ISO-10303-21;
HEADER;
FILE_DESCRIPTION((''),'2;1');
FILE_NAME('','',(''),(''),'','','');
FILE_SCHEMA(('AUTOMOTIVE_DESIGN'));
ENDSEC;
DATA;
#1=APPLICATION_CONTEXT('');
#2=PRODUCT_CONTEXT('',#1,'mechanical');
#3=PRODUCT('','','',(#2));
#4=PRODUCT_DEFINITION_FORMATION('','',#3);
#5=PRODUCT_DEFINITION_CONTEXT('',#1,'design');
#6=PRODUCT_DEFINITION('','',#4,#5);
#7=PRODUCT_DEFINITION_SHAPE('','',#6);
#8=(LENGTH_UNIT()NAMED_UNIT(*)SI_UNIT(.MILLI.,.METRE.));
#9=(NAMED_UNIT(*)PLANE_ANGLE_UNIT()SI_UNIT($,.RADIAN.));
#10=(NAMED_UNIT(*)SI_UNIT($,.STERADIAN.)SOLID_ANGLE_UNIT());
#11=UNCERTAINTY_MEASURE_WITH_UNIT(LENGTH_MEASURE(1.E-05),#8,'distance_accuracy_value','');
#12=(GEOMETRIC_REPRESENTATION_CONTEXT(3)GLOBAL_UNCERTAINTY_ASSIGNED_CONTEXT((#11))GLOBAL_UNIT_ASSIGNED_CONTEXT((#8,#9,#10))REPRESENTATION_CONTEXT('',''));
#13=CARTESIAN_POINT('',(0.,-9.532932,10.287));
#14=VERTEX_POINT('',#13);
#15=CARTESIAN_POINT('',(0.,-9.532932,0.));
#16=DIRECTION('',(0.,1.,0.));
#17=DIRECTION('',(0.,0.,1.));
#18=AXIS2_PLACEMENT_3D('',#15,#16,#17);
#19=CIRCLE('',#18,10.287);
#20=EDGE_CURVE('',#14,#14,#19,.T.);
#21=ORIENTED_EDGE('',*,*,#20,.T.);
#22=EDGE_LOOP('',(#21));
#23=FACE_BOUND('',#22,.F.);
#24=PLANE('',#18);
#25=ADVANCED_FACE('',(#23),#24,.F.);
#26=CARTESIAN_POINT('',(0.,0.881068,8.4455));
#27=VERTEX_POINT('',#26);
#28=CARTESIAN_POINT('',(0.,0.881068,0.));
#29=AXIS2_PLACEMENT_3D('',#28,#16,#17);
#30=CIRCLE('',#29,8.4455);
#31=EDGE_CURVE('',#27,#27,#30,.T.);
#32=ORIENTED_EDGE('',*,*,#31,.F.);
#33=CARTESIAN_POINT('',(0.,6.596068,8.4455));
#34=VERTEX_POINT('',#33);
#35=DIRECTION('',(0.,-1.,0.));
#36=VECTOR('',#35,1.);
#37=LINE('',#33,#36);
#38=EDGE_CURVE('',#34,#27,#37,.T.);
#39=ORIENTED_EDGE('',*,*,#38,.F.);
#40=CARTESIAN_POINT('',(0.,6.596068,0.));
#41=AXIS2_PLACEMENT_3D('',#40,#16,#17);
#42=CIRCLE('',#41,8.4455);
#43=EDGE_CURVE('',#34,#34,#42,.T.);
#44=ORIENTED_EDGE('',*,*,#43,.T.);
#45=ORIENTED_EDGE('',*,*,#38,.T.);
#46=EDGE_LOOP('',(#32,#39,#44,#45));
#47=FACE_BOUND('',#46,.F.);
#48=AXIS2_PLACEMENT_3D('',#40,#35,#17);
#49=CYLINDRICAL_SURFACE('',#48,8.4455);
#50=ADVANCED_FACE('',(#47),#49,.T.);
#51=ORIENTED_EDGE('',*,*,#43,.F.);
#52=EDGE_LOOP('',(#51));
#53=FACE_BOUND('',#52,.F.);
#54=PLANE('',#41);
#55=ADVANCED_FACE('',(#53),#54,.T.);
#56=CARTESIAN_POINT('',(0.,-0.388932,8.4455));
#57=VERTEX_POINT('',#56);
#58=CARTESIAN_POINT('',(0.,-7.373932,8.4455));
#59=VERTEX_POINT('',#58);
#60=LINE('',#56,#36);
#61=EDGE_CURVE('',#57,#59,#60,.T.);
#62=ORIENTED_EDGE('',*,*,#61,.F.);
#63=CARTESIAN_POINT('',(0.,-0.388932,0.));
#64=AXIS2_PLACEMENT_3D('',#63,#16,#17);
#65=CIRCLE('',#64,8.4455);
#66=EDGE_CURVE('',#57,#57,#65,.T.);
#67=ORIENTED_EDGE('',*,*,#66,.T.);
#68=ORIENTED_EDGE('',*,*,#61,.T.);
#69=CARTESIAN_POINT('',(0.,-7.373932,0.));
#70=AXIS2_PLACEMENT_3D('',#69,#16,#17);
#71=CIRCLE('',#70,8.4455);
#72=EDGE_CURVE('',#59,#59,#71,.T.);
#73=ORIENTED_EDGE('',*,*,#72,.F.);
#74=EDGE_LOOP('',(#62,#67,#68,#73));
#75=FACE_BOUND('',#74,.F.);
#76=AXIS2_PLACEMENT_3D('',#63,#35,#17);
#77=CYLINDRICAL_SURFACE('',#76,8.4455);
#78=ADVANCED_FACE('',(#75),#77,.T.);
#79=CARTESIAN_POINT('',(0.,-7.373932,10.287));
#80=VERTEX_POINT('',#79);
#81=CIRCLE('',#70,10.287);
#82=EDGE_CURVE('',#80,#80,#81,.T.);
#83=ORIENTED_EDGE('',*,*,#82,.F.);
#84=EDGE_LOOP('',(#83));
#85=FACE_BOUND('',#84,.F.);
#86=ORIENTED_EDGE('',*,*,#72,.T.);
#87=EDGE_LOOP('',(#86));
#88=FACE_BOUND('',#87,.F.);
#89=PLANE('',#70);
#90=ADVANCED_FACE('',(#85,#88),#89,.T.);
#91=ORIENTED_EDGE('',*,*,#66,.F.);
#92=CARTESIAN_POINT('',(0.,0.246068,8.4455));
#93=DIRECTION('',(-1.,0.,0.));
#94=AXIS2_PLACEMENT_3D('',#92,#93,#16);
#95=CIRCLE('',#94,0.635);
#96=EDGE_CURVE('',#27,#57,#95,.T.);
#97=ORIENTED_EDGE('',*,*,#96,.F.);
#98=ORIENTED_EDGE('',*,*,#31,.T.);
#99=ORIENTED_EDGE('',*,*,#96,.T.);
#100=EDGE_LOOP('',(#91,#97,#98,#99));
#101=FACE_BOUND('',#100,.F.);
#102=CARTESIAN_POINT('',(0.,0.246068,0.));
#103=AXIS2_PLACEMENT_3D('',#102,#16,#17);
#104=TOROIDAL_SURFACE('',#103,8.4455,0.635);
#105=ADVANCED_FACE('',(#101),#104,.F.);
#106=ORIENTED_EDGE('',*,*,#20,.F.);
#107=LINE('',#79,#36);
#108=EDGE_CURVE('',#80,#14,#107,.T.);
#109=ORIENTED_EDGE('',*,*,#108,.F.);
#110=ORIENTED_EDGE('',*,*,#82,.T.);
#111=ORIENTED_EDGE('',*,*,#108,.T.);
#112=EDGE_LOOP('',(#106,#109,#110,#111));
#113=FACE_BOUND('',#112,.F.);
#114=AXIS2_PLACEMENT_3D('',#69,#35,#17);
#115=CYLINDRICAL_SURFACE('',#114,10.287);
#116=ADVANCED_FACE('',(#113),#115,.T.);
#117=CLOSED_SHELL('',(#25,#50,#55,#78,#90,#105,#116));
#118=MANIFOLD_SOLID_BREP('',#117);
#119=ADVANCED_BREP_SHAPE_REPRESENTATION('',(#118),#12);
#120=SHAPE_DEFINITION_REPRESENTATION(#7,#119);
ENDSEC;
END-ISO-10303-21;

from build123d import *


with BuildPart() as f1:
    # F0 (on Right) → F1 (revolve)
    with BuildSketch(Plane.YZ):
        with BuildLine():
            Line((-9.532932, 10.287), (-9.532932, 0))
            Line((-9.532932, 0), (-7.373932, 0))
            Line((-7.373932, 0), (6.596068, 0))
            Line((6.596068, 0), (6.596068, 8.4455))
            Line((6.596068, 8.4455), (3.657317, 8.4455))
            Line((3.657317, 8.4455), (0.881068, 8.4455))
            ThreePointArc((0.881068, 8.4455), (0.246068, 7.8105), (-0.388932, 8.4455))
            Line((-0.388932, 8.4455), (-3.165181, 8.4455))
            Line((-3.165181, 8.4455), (-7.373932, 8.4455))
            Line((-7.373932, 8.4455), (-7.373932, 10.287))
            Line((-7.373932, 10.287), (-9.532932, 10.287))
        make_face()
    revolve(axis=Axis((0, -0.388932, 0), (0, 1, 0)))


solid = f1.part
